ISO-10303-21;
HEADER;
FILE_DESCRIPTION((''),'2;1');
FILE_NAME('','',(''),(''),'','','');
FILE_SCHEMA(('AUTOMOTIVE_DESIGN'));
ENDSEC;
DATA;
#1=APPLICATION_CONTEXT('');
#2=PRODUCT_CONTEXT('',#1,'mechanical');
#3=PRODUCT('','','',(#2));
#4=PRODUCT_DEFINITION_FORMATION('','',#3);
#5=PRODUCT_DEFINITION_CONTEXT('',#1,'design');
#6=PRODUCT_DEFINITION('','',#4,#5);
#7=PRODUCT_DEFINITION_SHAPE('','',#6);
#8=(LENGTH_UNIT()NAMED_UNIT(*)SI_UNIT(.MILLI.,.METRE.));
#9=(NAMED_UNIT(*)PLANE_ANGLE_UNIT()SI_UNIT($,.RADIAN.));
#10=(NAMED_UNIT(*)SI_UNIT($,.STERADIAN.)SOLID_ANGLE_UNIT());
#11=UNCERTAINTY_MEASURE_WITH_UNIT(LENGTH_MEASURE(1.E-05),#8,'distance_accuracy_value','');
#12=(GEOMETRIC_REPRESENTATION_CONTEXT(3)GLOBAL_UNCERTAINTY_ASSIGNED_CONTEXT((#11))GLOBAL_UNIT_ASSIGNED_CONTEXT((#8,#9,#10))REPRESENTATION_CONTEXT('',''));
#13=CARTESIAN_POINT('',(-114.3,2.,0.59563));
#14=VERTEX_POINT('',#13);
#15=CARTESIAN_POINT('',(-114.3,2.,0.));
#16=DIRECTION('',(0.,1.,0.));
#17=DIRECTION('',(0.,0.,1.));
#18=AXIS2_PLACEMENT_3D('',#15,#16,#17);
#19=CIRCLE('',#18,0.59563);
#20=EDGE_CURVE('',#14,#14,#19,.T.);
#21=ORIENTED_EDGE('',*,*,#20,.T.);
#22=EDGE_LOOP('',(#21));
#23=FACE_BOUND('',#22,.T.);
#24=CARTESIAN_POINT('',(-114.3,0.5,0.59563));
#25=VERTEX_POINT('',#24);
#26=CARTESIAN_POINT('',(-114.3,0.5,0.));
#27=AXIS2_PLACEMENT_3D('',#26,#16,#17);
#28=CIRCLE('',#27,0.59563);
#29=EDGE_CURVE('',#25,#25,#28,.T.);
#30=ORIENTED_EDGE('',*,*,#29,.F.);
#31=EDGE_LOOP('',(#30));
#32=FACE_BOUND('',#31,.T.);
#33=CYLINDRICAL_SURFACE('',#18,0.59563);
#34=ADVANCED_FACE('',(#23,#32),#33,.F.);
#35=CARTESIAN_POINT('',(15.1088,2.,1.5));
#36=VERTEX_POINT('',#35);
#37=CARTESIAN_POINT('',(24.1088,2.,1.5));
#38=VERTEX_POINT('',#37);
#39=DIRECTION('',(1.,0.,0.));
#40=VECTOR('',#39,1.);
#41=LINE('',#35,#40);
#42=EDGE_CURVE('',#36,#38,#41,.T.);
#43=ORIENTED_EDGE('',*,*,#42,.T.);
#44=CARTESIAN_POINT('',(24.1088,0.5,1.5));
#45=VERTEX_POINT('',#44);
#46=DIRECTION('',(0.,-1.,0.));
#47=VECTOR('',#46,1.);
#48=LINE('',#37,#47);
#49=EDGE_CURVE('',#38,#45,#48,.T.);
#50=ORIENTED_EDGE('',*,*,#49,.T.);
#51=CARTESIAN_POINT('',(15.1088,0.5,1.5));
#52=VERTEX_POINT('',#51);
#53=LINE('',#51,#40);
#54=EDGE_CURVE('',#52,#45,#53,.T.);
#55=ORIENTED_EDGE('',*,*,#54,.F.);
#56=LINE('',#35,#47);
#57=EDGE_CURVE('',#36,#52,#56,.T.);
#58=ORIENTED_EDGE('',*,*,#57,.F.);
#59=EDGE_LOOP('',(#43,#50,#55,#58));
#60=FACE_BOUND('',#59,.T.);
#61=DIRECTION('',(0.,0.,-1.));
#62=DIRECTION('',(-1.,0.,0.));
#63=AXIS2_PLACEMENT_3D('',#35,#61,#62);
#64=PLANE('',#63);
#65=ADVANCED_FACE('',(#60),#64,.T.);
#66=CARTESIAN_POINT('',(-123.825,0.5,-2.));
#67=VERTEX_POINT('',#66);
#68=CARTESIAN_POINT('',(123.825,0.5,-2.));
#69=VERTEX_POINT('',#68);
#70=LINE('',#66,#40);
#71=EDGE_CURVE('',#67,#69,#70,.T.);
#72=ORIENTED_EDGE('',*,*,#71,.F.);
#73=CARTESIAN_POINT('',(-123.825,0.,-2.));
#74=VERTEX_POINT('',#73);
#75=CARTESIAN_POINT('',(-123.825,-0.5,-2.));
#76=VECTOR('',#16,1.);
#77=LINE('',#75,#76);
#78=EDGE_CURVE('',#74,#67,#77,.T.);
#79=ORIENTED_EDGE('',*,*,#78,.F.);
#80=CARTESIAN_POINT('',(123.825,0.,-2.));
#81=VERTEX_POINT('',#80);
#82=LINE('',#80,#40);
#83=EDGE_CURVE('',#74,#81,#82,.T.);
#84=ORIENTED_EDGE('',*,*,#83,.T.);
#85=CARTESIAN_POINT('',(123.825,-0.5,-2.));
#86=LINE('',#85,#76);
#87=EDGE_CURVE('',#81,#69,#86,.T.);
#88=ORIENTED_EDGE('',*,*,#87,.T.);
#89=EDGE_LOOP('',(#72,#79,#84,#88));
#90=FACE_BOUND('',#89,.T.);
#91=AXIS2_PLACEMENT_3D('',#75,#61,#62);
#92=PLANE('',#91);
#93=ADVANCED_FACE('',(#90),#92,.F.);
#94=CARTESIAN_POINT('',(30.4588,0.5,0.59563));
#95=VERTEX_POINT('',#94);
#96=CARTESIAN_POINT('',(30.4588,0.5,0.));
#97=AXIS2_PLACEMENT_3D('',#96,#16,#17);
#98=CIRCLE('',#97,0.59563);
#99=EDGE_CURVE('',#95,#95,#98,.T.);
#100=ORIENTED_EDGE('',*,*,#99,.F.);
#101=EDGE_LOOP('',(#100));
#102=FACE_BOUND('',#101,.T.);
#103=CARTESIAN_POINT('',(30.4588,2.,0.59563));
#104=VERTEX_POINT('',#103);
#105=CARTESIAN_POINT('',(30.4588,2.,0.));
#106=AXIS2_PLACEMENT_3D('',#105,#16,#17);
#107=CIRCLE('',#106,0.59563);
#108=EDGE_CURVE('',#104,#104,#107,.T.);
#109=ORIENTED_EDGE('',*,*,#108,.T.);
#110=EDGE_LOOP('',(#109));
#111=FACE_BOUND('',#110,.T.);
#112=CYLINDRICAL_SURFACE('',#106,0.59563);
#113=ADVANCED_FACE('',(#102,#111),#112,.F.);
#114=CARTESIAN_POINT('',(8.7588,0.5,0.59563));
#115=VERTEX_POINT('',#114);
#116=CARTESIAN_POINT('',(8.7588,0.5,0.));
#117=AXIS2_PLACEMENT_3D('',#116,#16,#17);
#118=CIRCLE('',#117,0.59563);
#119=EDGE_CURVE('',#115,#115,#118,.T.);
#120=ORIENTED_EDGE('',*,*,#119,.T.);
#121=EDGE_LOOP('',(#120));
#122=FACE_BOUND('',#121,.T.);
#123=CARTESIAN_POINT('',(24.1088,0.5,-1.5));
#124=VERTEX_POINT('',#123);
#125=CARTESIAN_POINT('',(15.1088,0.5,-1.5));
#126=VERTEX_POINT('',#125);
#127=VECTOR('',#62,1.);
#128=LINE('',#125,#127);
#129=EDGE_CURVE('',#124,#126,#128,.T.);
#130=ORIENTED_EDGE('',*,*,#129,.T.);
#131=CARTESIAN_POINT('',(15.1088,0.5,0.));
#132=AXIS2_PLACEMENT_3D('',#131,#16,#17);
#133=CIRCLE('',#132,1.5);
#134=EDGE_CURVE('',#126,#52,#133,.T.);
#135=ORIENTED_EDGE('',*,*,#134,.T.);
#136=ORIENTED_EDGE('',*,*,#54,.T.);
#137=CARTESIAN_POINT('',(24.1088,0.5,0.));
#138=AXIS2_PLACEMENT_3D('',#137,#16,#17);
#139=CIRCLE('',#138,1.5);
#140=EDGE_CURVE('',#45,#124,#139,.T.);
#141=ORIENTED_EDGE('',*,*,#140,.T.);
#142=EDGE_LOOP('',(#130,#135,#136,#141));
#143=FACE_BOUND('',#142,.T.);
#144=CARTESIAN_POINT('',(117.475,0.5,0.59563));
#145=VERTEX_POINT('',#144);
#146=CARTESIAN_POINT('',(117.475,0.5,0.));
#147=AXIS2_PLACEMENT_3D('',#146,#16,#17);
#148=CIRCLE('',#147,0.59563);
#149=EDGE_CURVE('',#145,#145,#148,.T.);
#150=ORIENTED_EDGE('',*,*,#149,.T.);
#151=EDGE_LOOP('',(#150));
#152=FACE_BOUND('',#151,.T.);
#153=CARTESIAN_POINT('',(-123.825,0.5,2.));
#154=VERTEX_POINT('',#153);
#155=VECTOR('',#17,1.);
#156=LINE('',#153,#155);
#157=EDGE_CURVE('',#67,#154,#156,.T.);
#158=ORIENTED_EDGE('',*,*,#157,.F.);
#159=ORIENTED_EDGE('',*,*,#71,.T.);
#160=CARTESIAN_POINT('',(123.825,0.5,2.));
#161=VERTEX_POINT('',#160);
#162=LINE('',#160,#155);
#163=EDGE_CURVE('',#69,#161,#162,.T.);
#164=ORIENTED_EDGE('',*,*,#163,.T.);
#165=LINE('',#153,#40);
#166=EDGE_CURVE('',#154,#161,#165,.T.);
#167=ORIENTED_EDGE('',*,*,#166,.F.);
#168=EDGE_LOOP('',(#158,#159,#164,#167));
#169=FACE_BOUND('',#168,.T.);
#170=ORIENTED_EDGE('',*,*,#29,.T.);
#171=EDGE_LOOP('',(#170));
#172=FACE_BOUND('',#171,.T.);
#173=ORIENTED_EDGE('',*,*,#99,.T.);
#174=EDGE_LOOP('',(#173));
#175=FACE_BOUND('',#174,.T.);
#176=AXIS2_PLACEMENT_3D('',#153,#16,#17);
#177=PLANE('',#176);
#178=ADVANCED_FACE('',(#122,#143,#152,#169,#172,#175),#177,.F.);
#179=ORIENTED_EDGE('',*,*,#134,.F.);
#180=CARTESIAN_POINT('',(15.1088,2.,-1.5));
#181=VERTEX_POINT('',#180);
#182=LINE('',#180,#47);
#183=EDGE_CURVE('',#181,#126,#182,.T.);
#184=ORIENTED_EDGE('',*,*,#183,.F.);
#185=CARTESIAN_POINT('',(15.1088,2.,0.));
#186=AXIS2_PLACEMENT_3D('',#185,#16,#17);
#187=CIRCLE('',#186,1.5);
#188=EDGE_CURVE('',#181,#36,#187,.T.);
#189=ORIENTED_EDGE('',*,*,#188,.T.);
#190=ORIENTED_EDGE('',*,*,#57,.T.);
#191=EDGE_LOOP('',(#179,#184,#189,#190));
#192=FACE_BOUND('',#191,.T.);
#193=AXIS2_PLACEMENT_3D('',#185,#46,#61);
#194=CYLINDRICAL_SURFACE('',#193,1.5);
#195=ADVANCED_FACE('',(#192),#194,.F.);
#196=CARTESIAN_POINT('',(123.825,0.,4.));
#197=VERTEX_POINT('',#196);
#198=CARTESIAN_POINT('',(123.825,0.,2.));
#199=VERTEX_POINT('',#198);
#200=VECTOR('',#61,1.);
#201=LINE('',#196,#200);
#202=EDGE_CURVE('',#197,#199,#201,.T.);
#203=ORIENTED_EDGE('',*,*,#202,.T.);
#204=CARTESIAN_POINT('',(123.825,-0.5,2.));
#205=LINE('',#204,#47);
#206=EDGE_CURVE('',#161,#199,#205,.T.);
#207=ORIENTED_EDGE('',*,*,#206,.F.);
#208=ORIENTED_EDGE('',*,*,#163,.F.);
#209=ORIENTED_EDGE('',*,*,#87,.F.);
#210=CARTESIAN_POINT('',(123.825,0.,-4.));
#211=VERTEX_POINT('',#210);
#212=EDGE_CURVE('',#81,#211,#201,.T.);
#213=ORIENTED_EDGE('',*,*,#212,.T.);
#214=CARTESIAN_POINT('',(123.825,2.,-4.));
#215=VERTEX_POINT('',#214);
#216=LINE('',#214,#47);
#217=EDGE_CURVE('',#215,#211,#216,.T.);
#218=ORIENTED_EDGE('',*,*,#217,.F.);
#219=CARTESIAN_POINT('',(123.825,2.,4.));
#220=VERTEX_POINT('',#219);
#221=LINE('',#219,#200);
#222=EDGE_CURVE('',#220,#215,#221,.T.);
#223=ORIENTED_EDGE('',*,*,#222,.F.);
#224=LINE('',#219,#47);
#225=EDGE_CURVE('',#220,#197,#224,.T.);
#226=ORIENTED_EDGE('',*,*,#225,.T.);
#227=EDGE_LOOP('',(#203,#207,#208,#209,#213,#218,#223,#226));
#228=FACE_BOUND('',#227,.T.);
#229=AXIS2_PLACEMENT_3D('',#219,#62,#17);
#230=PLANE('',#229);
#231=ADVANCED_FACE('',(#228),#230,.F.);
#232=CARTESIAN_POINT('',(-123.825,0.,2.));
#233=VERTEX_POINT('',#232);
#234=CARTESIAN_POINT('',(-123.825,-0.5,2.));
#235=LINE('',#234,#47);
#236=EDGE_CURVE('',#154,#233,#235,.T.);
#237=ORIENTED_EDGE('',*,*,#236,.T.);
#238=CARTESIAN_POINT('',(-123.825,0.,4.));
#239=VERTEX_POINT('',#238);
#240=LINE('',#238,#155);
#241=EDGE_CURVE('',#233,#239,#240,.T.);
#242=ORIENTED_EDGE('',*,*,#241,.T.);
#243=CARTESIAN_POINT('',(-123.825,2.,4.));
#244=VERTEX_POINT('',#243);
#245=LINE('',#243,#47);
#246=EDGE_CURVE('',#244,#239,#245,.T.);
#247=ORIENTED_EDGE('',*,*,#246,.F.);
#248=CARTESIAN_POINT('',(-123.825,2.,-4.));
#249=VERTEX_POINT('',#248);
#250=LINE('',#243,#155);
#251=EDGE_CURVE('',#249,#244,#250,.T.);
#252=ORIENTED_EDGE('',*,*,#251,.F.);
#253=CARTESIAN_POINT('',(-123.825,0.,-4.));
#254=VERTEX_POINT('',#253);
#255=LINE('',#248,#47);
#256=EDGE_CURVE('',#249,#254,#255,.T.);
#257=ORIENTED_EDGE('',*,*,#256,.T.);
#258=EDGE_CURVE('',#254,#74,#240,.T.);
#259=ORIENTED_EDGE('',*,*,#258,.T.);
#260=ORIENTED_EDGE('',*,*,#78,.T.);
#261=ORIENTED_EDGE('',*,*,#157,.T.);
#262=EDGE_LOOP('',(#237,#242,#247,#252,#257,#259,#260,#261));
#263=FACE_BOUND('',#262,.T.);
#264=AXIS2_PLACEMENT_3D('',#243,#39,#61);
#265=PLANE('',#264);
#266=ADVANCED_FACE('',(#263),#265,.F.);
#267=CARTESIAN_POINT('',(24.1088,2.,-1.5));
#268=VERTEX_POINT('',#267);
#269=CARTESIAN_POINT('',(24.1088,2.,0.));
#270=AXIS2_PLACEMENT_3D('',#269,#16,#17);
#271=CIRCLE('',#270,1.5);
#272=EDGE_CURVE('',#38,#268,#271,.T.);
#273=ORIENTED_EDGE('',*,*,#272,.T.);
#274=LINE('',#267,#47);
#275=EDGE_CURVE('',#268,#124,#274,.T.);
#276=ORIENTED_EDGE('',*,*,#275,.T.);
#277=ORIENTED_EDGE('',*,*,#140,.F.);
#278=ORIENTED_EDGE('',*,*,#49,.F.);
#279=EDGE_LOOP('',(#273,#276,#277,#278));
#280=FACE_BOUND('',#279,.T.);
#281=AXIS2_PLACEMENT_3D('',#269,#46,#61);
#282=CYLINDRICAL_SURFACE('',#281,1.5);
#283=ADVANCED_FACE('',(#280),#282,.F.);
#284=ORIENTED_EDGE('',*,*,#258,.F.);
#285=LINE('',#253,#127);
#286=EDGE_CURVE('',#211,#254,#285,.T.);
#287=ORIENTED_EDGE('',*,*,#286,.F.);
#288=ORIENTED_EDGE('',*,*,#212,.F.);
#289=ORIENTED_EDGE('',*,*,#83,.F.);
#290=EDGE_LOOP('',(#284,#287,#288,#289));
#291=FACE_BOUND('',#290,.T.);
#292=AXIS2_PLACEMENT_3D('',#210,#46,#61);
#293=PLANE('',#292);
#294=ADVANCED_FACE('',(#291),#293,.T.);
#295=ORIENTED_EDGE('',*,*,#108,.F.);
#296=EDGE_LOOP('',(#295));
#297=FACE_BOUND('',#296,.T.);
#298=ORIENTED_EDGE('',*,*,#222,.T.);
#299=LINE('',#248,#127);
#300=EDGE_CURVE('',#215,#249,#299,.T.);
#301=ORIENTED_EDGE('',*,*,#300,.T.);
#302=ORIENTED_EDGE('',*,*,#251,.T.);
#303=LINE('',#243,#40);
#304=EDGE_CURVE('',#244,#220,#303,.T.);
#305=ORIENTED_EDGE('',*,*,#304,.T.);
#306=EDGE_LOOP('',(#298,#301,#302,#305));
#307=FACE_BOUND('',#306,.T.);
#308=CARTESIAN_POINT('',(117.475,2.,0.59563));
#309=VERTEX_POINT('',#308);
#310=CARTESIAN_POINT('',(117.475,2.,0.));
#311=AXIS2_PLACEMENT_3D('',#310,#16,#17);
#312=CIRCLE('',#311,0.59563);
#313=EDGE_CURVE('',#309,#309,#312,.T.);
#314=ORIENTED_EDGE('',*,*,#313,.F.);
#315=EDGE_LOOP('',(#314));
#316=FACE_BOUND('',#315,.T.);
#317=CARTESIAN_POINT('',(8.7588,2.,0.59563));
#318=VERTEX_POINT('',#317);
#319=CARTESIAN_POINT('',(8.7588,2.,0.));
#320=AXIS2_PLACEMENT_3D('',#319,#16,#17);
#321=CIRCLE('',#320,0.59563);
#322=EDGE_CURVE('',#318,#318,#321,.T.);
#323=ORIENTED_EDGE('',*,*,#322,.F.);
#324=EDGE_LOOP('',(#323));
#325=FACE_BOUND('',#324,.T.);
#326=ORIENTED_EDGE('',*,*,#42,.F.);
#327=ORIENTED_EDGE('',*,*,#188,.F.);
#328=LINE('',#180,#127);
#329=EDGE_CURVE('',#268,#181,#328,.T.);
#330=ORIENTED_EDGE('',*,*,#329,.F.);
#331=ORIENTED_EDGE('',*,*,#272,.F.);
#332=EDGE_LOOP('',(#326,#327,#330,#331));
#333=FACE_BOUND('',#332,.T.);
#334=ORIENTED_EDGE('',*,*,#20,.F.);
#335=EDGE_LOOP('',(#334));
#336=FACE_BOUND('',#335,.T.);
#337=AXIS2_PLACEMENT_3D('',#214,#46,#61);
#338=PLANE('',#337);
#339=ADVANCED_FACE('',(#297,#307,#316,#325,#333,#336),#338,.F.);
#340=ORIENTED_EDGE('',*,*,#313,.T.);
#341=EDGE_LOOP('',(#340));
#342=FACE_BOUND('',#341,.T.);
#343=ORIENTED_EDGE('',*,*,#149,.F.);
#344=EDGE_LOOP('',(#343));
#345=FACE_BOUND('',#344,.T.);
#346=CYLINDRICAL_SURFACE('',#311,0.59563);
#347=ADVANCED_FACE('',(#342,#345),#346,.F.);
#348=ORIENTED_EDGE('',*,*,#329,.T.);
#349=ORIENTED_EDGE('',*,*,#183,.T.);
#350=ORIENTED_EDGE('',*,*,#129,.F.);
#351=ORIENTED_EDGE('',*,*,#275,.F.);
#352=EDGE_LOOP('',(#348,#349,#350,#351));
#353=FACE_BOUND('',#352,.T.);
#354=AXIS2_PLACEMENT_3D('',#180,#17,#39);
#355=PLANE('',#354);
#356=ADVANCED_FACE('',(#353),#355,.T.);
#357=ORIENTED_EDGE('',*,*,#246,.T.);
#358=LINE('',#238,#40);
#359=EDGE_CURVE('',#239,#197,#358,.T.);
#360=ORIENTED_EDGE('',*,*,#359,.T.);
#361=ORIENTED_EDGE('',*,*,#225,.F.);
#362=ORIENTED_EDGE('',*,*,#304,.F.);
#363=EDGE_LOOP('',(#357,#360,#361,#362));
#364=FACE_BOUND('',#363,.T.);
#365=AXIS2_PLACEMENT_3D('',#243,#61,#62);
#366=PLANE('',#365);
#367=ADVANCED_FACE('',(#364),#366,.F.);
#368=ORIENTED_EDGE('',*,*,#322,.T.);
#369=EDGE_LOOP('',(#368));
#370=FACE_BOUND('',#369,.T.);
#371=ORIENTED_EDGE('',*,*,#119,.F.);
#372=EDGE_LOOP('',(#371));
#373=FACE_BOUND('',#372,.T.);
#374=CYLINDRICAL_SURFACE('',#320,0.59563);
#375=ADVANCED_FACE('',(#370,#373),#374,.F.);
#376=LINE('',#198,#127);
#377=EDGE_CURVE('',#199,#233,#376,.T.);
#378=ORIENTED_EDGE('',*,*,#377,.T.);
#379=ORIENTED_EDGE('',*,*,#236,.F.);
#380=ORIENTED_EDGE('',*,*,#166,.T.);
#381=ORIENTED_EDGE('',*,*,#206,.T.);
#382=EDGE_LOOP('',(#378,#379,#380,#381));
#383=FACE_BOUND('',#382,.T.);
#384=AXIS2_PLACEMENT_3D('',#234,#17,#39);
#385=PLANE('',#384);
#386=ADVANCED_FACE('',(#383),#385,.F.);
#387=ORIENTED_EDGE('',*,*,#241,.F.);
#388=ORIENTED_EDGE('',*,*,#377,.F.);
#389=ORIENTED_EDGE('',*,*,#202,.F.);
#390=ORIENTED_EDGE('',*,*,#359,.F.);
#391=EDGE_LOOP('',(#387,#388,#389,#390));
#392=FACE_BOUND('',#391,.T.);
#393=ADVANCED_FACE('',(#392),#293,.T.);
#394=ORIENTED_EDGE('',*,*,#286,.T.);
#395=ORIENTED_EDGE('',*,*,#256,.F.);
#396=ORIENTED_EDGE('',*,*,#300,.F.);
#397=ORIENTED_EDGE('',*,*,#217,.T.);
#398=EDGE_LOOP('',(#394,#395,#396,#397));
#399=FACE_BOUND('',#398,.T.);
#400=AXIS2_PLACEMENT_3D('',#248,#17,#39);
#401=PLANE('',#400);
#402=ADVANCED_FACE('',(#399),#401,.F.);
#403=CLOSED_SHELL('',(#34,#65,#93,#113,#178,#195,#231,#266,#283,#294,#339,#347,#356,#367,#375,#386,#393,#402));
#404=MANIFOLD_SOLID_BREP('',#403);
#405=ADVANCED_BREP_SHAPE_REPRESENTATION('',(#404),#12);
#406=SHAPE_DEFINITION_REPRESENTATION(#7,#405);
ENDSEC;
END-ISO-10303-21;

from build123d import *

# Parameters (mm, degrees)
SKETCH1_W                 = 247.65
SKETCH1_H                 = 8
BOSS_EXTRUDE1_DEPTH       = 2
SKETCH2_W                 = 4
SKETCH2_H                 = 1
CUT_EXTRUDE1_DEPTH        = 248.65
CUT_EXTRUDE2_DEPTH        = 2.5
F_0_80_TAPPED_HOLE1_D     = 1.19126
F_0_80_TAPPED_HOLE1_DEPTH = 4.572
F_0_80_TAPPED_HOLE1_TIP   = 0.357890611


with BuildPart() as part:
    # Sketch1 → Boss-Extrude1 (new body)
    with BuildSketch(Plane(origin=(0, 0, 0), x_dir=(1, 0, 0), z_dir=(0, 1, 0))):
        Rectangle(SKETCH1_W, SKETCH1_H)
    extrude(amount=BOSS_EXTRUDE1_DEPTH)

    # Sketch2 → Cut-Extrude1 (cut, through all)
    with BuildSketch(Plane(origin=(123.825, 0, 0), x_dir=(0, 0, -1), z_dir=(1, 0, 0))):
        Rectangle(SKETCH2_W, SKETCH2_H)
    extrude(amount=-CUT_EXTRUDE1_DEPTH, mode=Mode.SUBTRACT)

    # Sketch5 → Cut-Extrude2 (cut, through all)
    with BuildSketch(Plane(origin=(0, 0.5, 0), x_dir=(-1, 0, 0), z_dir=(0, 1, 0))):
        with BuildLine():
            Line((-15.1088, -1.5), (-24.1088, -1.5))
            ThreePointArc((-24.1088, -1.5), (-25.6088, 0), (-24.1088, 1.5))
            Line((-24.1088, 1.5), (-15.1088, 1.5))
            ThreePointArc((-15.1088, 1.5), (-13.6088, 0), (-15.1088, -1.5))
        make_face()
    extrude(amount=CUT_EXTRUDE2_DEPTH, mode=Mode.SUBTRACT)

    # #0-80 Tapped Hole1
    with Locations(Plane(origin=(0, 2, 0), x_dir=(-1, 0, 0), z_dir=(0, 1, 0))):
        with Locations((114.3, 0), (-8.7588, 0), (-30.4588, 0), (-117.475, 0)):
            Hole(F_0_80_TAPPED_HOLE1_D / 2, depth=F_0_80_TAPPED_HOLE1_DEPTH)
            with Locations((0, 0, -(F_0_80_TAPPED_HOLE1_DEPTH + F_0_80_TAPPED_HOLE1_TIP / 2))):  # 118° drill point
                Cone(0, F_0_80_TAPPED_HOLE1_D / 2, F_0_80_TAPPED_HOLE1_TIP, mode=Mode.SUBTRACT)


solid = part.part
